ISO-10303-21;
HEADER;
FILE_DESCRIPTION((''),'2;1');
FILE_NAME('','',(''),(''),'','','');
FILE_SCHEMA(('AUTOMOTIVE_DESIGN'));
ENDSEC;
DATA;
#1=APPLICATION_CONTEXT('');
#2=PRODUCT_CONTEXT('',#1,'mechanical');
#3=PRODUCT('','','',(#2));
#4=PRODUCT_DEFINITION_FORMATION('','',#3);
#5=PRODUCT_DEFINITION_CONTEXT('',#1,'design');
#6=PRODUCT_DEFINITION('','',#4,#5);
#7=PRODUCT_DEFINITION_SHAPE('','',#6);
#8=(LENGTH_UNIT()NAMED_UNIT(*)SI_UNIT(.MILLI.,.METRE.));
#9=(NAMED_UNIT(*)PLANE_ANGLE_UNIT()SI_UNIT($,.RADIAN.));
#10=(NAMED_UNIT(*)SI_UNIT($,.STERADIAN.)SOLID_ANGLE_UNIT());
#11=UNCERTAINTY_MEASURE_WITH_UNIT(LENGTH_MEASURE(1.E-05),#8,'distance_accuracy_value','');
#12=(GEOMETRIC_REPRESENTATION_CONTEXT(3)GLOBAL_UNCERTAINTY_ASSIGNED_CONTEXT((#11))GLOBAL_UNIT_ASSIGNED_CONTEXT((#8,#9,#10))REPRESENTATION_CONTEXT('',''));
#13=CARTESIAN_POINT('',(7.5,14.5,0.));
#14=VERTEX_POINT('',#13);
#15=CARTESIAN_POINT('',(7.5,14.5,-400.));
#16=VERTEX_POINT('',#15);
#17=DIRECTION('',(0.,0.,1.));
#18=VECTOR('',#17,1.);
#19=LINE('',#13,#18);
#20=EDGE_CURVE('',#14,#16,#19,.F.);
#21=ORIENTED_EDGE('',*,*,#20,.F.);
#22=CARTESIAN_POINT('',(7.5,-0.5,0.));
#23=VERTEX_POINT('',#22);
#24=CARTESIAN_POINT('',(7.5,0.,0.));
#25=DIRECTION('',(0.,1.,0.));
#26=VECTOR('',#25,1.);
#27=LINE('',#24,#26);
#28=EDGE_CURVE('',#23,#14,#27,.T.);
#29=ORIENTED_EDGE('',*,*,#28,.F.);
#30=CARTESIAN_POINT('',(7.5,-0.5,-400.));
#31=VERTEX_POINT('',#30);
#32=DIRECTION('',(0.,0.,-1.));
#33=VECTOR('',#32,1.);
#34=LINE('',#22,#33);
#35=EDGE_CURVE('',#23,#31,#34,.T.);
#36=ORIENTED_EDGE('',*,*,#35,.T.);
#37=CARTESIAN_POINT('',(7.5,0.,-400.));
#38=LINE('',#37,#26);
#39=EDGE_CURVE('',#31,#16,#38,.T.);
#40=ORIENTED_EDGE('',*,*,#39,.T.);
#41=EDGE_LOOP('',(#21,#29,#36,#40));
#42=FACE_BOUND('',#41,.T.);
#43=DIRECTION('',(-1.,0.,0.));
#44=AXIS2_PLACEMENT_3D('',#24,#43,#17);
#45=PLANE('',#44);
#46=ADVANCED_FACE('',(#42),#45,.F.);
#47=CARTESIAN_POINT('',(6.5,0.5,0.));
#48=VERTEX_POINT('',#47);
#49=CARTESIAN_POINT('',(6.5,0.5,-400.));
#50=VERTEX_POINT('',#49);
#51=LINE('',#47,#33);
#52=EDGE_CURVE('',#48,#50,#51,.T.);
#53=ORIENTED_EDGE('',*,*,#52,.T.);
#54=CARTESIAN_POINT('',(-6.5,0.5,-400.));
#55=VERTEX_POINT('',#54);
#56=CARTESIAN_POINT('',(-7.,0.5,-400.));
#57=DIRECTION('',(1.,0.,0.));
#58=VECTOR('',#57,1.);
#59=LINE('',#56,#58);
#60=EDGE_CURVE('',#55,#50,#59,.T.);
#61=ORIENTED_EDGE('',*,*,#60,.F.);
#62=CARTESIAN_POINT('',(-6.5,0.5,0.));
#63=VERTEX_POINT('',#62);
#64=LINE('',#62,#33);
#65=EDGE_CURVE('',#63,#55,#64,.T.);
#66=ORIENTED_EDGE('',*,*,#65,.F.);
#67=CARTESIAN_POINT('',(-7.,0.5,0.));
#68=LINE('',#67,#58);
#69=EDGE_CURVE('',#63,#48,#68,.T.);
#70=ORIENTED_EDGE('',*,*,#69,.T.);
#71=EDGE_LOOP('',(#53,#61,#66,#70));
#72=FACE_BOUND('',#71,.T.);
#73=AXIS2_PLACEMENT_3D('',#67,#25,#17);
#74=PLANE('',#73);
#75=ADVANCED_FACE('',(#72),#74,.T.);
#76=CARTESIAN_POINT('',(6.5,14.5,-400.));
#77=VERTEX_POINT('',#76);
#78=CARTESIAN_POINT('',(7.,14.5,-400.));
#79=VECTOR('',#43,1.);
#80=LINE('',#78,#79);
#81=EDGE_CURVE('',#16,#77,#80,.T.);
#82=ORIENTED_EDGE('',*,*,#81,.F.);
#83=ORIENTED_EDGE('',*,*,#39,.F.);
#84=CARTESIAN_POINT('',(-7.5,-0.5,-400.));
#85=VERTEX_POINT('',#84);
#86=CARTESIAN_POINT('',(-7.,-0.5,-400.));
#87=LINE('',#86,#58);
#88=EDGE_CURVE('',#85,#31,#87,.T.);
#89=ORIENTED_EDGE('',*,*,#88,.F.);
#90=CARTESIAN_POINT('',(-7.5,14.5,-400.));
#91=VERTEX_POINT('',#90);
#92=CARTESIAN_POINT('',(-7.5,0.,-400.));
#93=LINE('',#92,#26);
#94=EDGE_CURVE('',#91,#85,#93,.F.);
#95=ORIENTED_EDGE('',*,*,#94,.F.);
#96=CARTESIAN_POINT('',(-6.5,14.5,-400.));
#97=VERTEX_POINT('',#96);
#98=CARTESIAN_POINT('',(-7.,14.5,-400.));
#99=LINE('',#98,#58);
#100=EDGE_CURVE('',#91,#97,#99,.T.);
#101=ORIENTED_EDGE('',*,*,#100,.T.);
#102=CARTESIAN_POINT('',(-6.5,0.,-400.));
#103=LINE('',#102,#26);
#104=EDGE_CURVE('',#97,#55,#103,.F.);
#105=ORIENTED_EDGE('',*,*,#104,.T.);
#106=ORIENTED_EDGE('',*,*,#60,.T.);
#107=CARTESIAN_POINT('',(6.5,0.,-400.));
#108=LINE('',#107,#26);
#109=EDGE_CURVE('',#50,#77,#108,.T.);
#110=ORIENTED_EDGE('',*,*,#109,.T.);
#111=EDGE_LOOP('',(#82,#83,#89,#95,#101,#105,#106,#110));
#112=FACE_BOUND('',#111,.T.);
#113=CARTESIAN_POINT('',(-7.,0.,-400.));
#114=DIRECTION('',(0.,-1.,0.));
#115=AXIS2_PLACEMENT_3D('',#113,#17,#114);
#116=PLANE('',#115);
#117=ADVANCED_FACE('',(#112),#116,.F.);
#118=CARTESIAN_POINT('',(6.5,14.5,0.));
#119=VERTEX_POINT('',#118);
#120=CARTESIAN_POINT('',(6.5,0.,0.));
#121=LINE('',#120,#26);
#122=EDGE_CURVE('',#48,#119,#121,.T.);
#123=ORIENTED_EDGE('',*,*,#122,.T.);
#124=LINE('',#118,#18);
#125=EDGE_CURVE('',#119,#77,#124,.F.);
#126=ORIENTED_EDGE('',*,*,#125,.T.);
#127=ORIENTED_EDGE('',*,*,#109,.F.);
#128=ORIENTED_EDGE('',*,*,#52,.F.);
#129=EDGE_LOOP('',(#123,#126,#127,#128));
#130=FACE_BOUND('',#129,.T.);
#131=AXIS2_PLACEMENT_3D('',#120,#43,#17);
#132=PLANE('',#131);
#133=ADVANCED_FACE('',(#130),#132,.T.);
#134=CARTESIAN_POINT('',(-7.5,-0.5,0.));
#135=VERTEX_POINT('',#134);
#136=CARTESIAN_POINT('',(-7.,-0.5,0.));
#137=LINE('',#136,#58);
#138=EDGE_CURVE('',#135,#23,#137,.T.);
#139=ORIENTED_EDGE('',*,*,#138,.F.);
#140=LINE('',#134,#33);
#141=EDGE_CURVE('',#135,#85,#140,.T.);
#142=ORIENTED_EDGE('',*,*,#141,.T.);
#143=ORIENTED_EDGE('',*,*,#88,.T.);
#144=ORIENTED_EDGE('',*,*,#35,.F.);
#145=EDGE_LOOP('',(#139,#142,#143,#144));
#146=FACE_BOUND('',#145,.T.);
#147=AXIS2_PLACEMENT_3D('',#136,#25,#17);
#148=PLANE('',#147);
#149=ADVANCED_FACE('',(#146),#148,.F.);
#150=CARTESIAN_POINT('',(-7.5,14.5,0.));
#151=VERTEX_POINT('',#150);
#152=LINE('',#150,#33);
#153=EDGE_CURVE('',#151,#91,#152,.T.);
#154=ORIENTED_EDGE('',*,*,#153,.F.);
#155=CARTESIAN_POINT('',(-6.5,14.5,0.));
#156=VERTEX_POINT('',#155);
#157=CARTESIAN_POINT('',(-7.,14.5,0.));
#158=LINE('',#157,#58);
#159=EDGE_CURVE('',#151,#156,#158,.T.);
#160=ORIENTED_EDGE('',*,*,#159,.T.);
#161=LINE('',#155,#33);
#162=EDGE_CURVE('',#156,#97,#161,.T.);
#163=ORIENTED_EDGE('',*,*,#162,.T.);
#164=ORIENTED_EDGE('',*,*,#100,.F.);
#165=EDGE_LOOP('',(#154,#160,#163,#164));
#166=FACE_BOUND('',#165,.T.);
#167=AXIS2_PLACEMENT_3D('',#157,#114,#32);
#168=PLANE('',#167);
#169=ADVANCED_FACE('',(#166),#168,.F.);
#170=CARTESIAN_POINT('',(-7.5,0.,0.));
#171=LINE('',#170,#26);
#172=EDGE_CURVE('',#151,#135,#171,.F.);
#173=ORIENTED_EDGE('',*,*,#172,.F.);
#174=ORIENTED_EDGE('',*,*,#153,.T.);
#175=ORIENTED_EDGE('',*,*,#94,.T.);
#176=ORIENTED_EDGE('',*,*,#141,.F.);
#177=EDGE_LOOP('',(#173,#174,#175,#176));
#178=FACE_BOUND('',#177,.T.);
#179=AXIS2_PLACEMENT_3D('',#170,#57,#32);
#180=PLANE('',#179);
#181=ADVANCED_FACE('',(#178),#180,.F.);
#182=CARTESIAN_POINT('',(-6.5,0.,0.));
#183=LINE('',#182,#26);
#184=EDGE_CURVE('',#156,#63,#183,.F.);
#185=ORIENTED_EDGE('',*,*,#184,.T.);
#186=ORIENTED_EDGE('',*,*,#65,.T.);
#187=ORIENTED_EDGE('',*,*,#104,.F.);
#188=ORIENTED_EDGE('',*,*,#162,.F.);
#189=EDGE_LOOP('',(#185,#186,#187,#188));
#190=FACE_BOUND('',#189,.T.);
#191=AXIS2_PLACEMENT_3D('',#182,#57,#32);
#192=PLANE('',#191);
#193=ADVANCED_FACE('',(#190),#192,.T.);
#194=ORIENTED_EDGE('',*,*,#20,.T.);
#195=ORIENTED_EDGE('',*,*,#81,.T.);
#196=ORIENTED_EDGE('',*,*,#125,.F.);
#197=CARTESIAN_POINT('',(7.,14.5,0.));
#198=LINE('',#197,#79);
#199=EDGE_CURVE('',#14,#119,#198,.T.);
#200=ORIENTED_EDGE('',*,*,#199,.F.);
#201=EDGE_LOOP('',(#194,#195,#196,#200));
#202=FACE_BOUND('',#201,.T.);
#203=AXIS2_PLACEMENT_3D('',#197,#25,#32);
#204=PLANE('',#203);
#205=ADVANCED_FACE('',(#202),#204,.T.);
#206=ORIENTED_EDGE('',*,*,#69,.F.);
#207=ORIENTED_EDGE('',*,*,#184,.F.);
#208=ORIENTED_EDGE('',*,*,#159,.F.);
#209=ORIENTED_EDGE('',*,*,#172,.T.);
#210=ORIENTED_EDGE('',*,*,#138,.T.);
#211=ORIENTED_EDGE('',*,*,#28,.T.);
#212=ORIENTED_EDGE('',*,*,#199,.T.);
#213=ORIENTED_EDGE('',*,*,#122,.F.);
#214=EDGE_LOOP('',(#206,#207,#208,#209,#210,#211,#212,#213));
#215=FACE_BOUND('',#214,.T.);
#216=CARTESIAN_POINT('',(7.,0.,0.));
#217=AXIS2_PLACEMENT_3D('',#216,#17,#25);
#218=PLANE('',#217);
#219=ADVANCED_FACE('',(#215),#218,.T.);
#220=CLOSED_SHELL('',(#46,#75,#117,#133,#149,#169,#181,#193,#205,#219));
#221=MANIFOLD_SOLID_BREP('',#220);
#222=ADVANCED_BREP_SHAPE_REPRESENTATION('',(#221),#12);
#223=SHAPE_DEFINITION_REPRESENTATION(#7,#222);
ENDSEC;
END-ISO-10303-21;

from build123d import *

# Parameters (mm, degrees)
SHEET_EXTRUDE_1_1_BACK  = 400
SHEET_EXTRUDE_1_1_DEPTH = 400
THICKEN_1_T1            = 0.5
THICKEN_1_T2            = 0.5


with BuildPart() as body_1:
    # Sheet Extrude 1: a surface, the sketch's curves swept straight by 400 mm
    with BuildLine(Plane.XY.offset(-SHEET_EXTRUDE_1_1_BACK), mode=Mode.PRIVATE) as sheet_extrude_1_1_path:
        Line((7, 14.5), (7, 0))
        Line((7, 0), (-7, 0))
        Line((-7, 0), (-7, 14.5))
    sheet_extrude_1_1 = Shell.extrude(sheet_extrude_1_1_path.wire(), (0 * SHEET_EXTRUDE_1_1_DEPTH, 0 * SHEET_EXTRUDE_1_1_DEPTH, 1 * SHEET_EXTRUDE_1_1_DEPTH))
    add(Solid.thicken(sheet_extrude_1_1, THICKEN_1_T1))
    add(Solid.thicken(sheet_extrude_1_1, -THICKEN_1_T2))


solid = body_1.part
